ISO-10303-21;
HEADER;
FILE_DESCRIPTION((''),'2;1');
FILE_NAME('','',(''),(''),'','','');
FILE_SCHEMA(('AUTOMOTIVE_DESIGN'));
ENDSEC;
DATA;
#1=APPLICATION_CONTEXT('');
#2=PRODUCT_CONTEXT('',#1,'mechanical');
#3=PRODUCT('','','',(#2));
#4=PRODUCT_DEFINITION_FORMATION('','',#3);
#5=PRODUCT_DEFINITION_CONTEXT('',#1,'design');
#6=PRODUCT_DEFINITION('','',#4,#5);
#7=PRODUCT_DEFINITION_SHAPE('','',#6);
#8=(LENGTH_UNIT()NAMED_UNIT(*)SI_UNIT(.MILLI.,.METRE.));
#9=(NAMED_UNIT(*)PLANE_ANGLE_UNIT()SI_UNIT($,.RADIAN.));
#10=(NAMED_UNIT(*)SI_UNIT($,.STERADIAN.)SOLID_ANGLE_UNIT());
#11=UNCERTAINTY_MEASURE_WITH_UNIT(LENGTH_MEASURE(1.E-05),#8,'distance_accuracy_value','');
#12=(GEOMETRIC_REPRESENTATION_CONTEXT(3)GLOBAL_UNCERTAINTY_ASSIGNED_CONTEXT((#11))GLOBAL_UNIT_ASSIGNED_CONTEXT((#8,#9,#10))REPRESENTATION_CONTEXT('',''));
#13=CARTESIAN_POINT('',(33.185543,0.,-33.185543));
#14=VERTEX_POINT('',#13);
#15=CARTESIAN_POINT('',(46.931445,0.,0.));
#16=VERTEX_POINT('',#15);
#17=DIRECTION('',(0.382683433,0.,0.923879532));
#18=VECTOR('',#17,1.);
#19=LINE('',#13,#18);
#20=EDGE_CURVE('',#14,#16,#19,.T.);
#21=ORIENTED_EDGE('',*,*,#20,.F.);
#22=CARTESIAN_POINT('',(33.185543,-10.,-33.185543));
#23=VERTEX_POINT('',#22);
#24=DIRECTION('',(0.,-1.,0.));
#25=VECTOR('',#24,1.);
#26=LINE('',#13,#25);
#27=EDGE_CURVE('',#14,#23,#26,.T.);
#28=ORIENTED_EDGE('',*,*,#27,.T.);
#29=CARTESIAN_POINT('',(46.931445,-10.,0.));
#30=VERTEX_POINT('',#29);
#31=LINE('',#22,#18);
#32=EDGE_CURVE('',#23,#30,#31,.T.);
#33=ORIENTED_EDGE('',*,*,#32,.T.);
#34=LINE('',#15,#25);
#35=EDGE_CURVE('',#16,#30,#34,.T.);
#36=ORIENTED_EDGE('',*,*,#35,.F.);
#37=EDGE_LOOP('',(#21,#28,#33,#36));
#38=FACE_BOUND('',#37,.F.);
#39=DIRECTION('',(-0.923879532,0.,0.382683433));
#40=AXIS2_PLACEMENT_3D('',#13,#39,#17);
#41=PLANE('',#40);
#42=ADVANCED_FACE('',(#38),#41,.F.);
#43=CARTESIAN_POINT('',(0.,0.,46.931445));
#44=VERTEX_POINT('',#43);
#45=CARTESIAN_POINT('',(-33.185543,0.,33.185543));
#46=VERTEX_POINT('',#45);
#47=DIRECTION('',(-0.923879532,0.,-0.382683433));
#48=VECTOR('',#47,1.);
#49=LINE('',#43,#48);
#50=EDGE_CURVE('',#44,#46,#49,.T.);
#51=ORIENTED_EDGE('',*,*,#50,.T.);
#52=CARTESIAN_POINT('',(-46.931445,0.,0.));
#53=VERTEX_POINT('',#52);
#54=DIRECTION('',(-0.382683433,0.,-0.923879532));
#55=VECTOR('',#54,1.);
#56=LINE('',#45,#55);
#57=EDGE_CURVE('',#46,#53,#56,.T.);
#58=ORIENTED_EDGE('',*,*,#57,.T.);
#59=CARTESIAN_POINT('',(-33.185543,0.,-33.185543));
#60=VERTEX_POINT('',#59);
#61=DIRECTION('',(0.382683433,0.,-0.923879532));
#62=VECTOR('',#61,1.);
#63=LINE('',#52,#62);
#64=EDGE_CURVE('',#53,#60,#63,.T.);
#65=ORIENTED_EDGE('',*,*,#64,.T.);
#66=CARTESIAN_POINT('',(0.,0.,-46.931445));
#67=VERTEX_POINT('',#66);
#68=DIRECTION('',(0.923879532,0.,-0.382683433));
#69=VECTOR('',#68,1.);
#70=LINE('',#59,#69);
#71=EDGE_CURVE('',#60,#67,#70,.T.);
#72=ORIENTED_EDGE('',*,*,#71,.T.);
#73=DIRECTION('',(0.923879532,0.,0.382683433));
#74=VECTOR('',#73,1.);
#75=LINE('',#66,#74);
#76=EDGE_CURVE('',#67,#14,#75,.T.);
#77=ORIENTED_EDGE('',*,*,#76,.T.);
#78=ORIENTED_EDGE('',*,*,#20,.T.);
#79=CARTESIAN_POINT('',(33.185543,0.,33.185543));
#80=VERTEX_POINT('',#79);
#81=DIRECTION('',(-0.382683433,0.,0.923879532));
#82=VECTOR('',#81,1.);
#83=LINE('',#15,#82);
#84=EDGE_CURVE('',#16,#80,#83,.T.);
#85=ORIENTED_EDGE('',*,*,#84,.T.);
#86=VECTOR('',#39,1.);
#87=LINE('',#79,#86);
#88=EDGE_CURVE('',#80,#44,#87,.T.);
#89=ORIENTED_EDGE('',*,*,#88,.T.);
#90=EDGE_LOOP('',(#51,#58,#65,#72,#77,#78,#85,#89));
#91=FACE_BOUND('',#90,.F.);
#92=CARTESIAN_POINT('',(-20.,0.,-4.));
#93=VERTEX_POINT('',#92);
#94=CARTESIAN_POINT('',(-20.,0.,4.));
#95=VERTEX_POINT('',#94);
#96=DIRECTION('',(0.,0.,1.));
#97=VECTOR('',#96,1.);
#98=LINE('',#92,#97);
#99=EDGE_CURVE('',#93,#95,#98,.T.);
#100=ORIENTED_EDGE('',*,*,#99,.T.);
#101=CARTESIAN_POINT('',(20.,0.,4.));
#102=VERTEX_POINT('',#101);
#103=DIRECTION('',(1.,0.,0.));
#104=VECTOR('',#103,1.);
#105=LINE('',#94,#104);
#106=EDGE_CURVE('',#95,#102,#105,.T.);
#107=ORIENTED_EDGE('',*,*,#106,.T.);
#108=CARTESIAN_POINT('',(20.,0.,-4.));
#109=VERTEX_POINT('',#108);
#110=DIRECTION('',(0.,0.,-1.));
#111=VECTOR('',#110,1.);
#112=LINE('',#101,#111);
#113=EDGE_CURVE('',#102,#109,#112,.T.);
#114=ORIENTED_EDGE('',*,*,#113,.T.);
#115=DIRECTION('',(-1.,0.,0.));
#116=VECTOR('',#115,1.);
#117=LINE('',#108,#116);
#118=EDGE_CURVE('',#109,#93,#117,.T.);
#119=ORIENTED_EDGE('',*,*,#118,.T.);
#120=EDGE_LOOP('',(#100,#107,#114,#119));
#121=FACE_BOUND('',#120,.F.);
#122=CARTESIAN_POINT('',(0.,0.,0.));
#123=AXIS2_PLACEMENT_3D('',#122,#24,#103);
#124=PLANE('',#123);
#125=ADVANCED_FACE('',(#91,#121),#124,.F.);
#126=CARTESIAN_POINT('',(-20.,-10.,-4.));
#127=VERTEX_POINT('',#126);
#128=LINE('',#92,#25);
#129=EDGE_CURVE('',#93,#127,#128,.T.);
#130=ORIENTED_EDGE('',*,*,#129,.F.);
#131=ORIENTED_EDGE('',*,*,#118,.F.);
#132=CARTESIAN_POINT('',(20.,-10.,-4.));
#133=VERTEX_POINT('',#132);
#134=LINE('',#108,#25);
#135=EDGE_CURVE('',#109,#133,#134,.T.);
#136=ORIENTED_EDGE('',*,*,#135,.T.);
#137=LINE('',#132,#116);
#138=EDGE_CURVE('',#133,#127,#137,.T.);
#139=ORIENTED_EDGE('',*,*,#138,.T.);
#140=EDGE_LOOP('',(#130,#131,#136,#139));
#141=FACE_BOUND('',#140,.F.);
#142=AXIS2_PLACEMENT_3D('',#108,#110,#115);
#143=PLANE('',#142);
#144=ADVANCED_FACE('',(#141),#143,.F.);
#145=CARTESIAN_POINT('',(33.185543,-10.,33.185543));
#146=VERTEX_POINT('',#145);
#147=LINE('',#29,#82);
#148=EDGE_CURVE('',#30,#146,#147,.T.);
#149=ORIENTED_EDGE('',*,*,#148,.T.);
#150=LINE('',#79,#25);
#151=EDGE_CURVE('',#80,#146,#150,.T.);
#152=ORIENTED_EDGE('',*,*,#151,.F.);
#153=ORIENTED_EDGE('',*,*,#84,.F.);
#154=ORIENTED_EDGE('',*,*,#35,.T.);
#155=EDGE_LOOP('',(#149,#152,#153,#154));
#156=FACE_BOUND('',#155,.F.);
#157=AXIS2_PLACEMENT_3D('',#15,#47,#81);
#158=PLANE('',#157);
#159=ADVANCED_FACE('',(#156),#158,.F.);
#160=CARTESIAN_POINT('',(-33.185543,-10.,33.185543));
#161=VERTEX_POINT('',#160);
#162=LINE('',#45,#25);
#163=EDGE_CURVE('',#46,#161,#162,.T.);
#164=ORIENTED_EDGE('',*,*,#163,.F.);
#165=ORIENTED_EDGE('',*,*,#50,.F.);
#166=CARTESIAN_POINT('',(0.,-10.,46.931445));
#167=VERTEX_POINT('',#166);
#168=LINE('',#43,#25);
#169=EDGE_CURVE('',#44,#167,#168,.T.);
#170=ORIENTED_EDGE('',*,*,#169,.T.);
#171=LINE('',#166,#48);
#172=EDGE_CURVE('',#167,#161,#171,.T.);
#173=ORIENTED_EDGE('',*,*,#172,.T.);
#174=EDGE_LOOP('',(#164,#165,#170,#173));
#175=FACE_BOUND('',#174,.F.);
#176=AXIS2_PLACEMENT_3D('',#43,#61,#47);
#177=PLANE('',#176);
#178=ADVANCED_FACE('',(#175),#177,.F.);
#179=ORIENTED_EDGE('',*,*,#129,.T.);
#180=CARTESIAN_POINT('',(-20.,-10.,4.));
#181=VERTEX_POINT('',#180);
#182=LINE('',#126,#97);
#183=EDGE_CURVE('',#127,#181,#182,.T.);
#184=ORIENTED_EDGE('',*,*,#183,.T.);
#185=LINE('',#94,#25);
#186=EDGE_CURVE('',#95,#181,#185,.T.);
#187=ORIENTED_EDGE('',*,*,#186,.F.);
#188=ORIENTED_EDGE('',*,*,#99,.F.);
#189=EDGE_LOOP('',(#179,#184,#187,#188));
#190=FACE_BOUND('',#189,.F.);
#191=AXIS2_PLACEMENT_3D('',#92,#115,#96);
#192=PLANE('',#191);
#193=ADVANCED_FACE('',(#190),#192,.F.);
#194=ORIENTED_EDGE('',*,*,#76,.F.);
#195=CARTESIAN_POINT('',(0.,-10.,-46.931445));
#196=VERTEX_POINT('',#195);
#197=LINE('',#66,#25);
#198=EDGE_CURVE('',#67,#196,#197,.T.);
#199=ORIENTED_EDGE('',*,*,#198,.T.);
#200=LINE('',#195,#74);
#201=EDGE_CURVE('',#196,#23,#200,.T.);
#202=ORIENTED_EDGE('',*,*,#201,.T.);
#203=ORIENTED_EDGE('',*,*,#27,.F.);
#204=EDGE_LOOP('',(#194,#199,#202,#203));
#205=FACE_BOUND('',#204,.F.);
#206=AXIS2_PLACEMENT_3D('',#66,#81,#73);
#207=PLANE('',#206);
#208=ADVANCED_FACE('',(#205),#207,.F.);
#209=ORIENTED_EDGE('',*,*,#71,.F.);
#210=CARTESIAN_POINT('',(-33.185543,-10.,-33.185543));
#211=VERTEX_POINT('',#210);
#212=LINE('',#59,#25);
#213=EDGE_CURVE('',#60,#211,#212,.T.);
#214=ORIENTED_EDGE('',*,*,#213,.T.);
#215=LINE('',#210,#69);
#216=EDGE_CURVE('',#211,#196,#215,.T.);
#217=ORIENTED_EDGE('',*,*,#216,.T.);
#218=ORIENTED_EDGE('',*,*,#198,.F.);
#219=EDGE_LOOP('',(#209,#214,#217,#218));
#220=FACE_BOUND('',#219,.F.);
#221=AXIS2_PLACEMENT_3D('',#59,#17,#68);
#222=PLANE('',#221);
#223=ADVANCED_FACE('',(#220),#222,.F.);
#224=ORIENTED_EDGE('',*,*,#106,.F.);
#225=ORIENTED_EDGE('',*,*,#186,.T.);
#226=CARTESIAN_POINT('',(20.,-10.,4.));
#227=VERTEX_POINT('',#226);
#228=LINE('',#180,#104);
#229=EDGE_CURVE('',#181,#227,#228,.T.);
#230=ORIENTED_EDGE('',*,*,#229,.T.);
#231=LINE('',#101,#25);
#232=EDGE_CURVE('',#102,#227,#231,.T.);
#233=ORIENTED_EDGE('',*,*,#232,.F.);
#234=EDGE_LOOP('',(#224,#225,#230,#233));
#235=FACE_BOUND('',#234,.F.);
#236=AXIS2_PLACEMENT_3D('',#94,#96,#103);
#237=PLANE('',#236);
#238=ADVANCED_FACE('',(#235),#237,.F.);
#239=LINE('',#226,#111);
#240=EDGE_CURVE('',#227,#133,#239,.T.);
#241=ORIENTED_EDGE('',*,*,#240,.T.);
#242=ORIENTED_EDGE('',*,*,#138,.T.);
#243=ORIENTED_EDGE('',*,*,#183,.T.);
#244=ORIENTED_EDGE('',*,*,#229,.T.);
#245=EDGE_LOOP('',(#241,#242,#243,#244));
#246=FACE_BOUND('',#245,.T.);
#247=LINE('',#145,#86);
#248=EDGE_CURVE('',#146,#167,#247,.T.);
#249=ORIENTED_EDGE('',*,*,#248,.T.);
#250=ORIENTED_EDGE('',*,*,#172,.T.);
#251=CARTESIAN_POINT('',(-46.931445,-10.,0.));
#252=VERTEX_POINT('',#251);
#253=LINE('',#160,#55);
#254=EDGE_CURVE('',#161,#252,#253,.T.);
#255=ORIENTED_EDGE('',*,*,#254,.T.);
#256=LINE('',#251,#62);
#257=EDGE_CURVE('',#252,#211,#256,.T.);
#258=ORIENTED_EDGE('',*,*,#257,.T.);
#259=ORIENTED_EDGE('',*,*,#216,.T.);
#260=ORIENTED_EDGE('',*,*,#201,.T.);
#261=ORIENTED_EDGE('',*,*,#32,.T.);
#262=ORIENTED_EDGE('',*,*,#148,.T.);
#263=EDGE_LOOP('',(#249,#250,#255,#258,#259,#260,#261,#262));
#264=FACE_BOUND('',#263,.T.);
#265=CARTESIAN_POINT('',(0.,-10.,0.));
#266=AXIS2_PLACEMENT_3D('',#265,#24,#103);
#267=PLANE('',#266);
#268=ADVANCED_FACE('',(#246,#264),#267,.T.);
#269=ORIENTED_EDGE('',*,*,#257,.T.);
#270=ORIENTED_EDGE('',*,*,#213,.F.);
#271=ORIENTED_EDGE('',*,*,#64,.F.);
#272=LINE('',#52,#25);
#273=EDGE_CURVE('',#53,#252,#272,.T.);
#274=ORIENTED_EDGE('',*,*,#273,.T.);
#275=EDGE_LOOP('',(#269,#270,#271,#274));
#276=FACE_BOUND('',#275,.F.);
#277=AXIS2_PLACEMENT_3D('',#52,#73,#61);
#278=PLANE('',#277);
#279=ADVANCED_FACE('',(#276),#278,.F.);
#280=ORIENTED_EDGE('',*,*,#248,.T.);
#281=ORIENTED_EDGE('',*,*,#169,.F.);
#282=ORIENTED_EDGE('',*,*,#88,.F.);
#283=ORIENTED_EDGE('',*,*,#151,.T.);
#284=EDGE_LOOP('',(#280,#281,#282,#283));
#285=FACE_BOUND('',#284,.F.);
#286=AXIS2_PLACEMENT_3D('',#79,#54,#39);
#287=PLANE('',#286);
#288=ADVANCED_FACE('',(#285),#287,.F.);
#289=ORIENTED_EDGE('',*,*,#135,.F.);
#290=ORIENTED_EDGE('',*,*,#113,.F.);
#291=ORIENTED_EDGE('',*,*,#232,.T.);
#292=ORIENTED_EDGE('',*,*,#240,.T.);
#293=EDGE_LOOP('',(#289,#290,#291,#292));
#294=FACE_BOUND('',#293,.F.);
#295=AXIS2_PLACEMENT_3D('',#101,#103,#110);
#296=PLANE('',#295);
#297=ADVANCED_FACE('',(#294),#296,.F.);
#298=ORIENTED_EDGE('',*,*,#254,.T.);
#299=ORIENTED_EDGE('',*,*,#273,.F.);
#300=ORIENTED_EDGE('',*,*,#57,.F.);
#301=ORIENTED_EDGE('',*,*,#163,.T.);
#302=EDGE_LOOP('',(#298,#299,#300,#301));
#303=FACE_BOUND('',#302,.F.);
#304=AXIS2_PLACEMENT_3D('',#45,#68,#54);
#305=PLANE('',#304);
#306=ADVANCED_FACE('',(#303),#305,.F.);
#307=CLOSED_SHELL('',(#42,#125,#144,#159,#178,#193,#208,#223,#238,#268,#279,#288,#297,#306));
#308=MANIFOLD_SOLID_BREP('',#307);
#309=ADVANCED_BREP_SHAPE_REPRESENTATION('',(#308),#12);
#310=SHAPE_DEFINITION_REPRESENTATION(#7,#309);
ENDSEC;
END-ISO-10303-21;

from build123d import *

# Parameters (mm, degrees)
F1_DEPTH = 10


with BuildPart() as f1:
    # F0 (on Front) → F1 (new body)
    with BuildSketch(Plane.XZ):
        Polygon((-33.185543, 33.185543), (-46.931445, 0), (-33.185543, -33.185543), (0, -46.931445), (33.185543, -33.185543), (46.931445, 0), (33.185543, 33.185543), (0, 46.931445), align=None)
        Polygon((-20, -4), (-20, 0), (-20, 4), (0, 4), (20, 4), (20, 0), (20, -4), (0, -4), align=None, mode=Mode.SUBTRACT)
    extrude(amount=F1_DEPTH)


solid = f1.part
